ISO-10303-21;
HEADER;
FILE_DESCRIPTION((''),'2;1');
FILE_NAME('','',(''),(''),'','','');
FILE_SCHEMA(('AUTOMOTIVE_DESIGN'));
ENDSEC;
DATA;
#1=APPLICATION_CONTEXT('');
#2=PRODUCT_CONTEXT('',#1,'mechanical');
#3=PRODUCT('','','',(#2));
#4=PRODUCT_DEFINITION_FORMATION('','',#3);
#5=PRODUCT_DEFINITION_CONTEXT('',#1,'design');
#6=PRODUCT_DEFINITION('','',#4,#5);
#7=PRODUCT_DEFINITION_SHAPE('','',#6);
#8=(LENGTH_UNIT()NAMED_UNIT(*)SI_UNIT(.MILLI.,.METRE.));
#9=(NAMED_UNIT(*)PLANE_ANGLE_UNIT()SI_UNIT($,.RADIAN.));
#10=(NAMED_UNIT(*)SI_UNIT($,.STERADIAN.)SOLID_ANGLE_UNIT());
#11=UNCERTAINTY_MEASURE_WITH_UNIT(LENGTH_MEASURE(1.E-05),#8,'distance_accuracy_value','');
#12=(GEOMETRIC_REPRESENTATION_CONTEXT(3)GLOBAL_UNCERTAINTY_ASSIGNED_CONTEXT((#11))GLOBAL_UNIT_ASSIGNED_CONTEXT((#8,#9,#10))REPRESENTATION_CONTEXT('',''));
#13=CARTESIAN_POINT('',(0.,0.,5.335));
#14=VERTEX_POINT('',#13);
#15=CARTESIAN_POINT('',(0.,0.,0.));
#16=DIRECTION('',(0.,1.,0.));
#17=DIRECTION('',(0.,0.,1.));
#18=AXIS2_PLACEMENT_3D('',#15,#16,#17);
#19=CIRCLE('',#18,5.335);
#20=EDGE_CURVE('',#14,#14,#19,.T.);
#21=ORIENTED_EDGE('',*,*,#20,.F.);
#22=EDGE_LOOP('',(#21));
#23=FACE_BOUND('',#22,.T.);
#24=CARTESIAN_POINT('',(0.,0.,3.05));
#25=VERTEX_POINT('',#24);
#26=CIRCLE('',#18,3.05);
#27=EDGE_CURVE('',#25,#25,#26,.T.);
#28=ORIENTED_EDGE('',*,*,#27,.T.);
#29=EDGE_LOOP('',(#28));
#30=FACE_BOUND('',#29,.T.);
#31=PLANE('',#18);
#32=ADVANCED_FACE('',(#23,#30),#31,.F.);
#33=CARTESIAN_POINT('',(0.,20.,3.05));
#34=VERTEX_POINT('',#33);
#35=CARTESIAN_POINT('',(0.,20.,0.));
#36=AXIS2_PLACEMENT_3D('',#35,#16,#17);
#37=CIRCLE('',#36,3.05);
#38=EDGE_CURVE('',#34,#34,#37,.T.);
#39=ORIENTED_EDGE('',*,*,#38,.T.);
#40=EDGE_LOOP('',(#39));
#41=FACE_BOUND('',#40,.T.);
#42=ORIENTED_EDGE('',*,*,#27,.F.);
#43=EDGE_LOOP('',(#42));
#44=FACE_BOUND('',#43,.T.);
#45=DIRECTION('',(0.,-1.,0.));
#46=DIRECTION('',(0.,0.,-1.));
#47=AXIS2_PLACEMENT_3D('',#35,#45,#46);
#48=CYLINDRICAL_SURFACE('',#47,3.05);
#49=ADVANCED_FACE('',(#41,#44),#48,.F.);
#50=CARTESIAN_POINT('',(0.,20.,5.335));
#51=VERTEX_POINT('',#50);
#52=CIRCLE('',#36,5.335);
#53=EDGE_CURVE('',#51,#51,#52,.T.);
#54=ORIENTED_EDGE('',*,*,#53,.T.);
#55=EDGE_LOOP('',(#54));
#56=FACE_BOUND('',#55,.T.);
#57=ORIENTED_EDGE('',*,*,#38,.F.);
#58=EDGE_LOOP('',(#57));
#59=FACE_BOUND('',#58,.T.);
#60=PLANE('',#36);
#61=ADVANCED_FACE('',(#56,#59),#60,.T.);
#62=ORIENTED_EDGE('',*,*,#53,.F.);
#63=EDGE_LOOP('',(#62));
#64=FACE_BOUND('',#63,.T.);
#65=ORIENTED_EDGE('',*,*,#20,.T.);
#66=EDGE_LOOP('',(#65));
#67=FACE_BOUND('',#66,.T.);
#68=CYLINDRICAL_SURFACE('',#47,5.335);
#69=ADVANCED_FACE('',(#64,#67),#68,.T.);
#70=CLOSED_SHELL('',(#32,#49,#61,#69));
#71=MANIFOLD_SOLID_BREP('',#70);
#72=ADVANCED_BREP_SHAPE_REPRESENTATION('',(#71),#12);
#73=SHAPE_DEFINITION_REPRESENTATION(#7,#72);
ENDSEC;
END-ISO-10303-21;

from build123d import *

# Parameters (mm, degrees)
SKETCH2_R           = 5.335
SKETCH2_R_2         = 3.05
BOSS_EXTRUDE1_DEPTH = 20


with BuildPart() as part:
    # Sketch2 → Boss-Extrude1 (new body)
    with BuildSketch(Plane(origin=(0, 0, 0), x_dir=(1, 0, 0), z_dir=(0, 1, 0))):
        with Locations(Location((0, 0, 0), (0, 0, 270))):
            Circle(SKETCH2_R)
        with Locations(Location((0, 0, 0), (0, 0, 270))):
            Circle(SKETCH2_R_2, mode=Mode.SUBTRACT)
    extrude(amount=BOSS_EXTRUDE1_DEPTH)


solid = part.part
